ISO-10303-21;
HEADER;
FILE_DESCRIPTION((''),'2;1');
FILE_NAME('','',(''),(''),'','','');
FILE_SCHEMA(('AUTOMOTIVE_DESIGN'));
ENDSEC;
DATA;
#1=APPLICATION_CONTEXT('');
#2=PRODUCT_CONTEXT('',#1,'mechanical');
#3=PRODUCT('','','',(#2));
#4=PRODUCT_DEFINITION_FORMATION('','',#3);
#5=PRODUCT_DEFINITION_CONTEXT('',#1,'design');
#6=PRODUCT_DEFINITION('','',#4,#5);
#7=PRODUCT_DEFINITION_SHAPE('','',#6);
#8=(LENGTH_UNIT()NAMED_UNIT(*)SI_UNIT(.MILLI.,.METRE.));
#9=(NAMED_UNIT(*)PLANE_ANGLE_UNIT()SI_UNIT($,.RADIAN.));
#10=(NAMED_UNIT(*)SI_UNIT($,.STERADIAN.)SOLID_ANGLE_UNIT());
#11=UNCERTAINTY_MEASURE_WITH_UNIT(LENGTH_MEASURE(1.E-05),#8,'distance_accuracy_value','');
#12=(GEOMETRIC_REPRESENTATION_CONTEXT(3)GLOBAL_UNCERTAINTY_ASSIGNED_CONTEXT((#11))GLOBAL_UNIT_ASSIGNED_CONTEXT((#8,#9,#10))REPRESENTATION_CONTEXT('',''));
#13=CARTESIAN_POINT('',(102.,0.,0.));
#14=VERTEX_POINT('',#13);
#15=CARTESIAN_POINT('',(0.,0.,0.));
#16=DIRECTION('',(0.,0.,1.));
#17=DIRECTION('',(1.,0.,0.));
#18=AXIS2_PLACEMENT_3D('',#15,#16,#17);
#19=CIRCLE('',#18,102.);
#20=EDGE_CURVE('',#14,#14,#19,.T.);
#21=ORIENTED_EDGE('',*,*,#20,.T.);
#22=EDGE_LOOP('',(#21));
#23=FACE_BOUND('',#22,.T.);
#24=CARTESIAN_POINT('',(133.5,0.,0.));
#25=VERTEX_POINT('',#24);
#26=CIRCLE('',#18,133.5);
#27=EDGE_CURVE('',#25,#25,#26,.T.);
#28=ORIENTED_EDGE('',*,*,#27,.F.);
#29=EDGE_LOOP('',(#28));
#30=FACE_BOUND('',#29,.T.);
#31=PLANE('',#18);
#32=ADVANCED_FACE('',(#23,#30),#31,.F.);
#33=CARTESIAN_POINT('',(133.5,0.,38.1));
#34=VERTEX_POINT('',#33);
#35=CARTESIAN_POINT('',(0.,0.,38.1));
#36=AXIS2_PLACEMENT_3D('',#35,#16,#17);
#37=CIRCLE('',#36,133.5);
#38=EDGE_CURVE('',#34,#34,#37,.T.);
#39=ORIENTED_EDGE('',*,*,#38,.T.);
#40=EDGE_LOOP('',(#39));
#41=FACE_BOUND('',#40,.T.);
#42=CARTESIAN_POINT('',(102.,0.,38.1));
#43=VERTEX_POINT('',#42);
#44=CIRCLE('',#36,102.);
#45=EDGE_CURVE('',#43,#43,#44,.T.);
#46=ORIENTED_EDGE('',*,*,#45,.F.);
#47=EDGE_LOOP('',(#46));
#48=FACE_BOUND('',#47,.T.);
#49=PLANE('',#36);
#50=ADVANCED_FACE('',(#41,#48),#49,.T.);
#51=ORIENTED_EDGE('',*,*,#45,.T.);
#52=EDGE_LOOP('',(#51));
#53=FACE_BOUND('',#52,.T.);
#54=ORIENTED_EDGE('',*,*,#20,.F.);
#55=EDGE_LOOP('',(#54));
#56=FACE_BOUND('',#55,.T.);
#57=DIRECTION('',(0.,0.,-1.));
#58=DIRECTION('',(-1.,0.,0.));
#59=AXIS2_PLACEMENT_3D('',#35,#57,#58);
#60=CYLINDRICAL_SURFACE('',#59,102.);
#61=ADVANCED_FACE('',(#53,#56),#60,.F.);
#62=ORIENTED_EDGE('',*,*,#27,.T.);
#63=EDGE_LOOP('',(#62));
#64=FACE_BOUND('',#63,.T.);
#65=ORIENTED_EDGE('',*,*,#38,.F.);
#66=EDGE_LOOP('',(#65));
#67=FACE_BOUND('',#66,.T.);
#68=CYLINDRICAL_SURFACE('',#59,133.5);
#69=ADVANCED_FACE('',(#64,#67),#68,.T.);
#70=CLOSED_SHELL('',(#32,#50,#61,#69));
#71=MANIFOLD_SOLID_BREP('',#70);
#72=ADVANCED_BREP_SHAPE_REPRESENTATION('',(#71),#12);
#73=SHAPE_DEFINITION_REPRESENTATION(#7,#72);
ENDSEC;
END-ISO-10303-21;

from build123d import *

# Parameters (mm, degrees)
SKETCH1_R           = 133.5
SKETCH1_R_2         = 102
BOSS_EXTRUDE1_DEPTH = 38.1


with BuildPart() as part:
    # Sketch1 → Boss-Extrude1 (new body)
    with BuildSketch(Plane.XY):
        Circle(SKETCH1_R)
        Circle(SKETCH1_R_2, mode=Mode.SUBTRACT)
    extrude(amount=BOSS_EXTRUDE1_DEPTH)


solid = part.part
